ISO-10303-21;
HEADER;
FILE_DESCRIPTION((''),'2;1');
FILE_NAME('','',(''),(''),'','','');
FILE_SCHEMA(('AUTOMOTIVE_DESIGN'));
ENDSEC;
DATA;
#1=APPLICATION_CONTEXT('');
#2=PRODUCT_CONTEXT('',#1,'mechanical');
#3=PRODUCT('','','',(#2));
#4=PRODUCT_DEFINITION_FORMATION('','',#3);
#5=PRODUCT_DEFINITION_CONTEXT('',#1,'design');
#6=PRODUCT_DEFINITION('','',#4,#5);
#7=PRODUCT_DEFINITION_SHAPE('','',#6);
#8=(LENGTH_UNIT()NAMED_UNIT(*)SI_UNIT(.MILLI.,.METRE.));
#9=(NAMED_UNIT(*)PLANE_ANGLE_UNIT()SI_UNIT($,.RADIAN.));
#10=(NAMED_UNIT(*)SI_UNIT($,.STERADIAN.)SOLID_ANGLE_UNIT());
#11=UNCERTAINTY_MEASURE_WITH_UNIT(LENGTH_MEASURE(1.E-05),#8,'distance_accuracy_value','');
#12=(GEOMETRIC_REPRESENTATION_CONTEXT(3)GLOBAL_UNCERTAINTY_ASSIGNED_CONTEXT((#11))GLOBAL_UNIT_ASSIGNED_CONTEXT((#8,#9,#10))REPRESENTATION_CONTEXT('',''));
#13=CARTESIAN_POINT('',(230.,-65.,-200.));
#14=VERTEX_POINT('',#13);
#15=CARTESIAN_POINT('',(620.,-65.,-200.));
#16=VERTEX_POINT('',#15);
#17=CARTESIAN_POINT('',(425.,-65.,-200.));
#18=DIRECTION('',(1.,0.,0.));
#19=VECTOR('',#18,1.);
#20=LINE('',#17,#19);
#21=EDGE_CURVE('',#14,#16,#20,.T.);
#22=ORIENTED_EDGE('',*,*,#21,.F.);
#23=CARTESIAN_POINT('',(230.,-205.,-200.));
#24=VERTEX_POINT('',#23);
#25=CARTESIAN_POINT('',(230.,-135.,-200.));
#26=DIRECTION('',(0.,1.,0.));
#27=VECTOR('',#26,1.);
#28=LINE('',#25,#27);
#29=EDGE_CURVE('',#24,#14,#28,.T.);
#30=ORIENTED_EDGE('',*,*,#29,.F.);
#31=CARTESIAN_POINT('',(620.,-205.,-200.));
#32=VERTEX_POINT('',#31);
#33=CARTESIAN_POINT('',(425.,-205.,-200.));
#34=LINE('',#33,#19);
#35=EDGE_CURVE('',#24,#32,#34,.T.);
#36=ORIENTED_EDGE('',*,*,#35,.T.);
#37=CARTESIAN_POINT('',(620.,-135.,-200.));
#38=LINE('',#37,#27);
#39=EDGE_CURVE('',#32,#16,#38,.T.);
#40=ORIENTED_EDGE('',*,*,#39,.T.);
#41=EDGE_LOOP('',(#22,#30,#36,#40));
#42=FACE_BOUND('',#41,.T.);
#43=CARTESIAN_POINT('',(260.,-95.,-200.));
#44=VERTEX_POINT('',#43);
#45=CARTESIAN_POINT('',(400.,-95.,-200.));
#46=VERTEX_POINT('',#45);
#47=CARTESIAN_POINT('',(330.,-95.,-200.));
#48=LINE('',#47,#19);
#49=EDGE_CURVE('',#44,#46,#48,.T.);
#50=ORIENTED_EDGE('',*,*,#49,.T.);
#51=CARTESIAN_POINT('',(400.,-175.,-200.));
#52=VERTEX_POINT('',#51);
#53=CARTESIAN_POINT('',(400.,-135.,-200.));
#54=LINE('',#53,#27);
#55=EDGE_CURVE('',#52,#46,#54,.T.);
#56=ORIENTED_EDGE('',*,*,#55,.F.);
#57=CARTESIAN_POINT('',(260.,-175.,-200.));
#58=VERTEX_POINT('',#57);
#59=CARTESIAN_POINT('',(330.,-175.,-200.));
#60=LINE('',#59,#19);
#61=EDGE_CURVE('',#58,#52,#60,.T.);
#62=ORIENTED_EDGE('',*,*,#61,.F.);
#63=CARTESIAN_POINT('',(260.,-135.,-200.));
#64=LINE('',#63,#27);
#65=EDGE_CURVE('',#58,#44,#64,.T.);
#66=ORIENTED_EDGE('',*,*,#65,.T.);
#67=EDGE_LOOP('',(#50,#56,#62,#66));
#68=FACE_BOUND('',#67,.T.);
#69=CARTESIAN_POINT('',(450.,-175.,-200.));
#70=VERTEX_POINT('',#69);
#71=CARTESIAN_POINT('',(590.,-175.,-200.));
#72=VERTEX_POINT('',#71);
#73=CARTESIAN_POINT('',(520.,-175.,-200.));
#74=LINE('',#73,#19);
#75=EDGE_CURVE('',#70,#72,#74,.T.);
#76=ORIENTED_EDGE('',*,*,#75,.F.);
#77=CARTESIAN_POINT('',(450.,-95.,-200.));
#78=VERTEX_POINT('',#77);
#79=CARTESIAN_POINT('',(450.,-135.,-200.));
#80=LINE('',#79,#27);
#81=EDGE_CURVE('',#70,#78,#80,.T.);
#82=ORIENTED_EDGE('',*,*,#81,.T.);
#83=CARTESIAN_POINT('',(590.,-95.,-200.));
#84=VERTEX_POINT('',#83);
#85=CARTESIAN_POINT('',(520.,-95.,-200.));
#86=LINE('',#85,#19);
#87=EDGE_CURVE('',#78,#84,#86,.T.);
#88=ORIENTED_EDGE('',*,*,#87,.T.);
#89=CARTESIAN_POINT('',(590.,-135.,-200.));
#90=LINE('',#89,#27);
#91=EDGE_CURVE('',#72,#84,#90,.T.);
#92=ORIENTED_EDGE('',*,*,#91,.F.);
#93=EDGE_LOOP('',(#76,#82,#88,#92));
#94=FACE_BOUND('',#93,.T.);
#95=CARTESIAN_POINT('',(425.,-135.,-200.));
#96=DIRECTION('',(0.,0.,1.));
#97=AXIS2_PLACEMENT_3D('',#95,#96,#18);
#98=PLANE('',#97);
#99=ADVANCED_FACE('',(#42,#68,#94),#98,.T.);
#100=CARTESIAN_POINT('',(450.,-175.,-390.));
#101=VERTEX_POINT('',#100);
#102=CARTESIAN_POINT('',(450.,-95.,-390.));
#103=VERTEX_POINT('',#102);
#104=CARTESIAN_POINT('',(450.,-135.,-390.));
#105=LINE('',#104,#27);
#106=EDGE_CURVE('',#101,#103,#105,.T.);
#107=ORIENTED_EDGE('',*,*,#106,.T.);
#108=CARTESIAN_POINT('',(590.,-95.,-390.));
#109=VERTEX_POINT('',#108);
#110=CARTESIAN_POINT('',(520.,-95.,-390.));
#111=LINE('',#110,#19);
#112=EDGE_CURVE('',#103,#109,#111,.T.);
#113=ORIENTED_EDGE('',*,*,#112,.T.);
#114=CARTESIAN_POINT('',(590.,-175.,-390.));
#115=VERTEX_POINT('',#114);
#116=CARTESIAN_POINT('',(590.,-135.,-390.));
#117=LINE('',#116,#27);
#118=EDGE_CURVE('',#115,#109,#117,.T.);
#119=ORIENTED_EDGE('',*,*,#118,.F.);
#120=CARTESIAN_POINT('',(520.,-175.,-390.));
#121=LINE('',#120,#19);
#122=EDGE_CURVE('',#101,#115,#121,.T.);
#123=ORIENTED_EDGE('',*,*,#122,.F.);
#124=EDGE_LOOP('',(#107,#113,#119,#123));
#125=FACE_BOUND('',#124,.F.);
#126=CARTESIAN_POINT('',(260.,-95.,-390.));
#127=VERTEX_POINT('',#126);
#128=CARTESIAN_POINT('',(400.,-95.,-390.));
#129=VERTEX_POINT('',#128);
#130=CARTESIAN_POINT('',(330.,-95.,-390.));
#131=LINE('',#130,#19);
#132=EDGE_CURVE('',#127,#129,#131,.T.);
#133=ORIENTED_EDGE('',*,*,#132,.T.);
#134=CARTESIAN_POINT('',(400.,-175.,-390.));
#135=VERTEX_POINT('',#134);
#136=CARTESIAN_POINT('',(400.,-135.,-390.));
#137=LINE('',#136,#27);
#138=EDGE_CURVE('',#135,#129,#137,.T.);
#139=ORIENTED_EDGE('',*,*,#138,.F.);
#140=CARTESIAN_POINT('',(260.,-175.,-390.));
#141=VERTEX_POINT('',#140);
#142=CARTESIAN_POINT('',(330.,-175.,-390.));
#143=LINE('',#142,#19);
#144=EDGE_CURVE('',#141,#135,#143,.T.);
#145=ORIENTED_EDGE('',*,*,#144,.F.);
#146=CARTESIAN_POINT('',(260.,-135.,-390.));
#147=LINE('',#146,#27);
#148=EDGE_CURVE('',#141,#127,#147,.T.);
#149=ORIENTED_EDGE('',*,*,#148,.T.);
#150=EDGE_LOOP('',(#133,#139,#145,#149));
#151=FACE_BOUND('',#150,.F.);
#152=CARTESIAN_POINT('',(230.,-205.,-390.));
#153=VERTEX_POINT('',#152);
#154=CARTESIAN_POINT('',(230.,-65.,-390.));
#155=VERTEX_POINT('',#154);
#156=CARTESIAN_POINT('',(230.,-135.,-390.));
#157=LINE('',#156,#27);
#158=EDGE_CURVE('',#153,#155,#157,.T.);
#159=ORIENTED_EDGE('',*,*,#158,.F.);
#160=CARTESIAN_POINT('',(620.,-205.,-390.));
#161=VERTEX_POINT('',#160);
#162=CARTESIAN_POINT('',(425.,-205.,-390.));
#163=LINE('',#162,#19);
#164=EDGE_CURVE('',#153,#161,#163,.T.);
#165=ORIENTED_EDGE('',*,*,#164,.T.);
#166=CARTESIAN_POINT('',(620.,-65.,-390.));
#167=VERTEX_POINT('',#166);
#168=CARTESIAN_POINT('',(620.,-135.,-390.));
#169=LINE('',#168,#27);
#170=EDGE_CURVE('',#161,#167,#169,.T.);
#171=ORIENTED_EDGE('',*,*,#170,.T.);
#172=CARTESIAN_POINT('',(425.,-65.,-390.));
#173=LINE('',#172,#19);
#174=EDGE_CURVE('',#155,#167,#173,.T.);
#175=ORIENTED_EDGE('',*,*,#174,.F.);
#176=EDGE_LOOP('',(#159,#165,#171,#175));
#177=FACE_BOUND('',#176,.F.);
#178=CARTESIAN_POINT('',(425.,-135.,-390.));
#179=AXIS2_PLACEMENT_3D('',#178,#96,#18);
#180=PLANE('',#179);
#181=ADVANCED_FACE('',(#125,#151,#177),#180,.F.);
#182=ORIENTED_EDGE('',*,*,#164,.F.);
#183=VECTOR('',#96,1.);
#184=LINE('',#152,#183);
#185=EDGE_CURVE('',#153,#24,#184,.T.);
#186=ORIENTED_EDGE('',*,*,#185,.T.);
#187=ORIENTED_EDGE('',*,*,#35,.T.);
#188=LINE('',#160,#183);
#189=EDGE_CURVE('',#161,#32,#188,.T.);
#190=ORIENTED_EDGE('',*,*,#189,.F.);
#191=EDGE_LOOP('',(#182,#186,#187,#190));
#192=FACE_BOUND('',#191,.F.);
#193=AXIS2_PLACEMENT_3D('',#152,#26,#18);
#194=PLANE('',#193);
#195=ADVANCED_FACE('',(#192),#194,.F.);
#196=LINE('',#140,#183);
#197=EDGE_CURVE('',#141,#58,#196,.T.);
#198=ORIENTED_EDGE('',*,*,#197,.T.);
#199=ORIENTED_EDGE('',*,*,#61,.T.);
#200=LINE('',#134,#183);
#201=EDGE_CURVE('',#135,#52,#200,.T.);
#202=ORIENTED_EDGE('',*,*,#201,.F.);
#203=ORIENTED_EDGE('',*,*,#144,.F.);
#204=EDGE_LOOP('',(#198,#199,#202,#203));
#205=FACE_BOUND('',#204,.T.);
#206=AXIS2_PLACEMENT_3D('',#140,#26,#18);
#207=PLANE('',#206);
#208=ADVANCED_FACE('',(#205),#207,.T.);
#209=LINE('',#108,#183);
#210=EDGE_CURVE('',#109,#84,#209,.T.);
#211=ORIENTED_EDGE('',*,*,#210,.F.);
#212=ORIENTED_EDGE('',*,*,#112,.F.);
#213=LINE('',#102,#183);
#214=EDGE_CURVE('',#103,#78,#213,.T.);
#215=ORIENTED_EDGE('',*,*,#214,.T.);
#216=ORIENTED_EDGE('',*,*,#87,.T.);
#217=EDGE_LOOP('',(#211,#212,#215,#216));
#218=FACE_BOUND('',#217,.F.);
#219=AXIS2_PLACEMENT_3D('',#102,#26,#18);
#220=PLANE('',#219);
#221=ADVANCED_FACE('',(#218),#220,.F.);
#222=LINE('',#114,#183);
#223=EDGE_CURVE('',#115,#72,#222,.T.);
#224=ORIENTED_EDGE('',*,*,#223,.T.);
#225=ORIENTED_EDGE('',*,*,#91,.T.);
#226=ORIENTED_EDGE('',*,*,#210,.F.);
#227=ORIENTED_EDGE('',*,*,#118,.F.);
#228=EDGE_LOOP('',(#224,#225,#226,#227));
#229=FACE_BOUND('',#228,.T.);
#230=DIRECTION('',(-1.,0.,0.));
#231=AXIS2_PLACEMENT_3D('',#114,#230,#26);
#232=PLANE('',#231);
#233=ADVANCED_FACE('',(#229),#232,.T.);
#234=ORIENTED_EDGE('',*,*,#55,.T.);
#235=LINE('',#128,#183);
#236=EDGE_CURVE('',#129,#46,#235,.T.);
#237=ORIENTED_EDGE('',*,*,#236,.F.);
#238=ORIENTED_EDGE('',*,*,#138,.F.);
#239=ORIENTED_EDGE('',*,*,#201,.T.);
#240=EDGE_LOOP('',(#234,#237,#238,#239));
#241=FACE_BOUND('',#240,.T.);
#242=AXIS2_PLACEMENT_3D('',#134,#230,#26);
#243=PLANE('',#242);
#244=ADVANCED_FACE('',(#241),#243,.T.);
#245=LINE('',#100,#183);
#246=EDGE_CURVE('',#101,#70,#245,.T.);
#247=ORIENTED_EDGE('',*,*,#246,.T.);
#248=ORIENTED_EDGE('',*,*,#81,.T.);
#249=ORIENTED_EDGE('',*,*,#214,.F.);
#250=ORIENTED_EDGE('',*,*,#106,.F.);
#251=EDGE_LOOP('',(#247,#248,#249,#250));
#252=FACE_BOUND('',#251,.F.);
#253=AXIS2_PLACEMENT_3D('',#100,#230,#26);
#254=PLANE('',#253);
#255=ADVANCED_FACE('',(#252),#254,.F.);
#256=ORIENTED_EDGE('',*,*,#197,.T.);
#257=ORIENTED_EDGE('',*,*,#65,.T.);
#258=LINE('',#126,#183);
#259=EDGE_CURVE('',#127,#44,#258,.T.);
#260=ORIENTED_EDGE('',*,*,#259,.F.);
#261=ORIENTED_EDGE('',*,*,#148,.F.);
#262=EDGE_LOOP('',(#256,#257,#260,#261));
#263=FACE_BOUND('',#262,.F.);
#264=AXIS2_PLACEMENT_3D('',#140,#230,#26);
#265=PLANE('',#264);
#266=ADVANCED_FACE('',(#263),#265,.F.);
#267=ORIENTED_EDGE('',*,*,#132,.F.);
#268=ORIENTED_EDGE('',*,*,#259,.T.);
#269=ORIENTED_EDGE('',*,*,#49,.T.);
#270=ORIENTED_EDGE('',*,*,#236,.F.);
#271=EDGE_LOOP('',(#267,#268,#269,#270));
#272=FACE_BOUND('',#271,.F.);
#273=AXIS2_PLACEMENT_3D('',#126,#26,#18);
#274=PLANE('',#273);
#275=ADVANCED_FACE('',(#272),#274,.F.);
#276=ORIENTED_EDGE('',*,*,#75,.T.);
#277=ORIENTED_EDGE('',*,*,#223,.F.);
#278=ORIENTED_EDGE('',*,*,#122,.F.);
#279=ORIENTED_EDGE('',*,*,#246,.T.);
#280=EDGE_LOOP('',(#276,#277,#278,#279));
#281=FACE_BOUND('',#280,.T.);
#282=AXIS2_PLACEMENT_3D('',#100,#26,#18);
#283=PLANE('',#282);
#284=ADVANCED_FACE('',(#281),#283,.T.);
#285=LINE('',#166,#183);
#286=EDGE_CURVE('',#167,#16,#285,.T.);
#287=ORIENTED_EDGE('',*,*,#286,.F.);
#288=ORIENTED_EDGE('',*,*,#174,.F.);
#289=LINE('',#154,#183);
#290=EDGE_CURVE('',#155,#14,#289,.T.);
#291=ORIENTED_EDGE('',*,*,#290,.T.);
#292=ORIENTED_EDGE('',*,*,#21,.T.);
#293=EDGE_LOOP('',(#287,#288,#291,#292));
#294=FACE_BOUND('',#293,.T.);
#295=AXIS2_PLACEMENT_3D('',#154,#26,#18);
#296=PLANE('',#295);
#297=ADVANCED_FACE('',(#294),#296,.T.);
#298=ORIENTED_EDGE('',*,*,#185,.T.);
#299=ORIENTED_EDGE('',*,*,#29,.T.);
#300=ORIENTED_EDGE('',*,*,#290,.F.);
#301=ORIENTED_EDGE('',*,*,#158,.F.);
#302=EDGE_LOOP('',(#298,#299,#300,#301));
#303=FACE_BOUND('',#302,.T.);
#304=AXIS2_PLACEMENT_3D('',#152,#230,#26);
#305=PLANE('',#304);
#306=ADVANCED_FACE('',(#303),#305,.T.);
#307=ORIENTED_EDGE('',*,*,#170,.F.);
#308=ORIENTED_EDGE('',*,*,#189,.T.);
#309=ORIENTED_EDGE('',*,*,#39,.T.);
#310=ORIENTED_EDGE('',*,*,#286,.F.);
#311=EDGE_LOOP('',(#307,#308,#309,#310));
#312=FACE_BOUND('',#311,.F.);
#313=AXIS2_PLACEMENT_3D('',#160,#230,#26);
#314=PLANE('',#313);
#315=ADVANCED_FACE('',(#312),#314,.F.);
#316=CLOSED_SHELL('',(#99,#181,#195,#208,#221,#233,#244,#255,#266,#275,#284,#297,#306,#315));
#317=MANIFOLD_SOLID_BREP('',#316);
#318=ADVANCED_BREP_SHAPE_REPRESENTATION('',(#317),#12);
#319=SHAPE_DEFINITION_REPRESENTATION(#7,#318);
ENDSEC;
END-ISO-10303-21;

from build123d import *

# Parameters (mm, degrees)
BOX017_W     = 140
BOX017_H     = 80
BOX017_DEPTH = 190
BOX018_W     = 140
BOX018_H     = 80
BOX018_DEPTH = 190
BOX019_W     = 390
BOX019_H     = 140
BOX019_DEPTH = 190


with BuildPart() as cube007:
    # Box017 → Box017 (new body)
    with BuildSketch(Plane(origin=(220, 30, 0), x_dir=(1, 0, 0), z_dir=(0, 0, 1))):
        with Locations((70, 40)):
            Rectangle(BOX017_W, BOX017_H)
    extrude(amount=BOX017_DEPTH)


with BuildPart() as fusion005:
    # Box018 → Box018 (new body)
    with BuildSketch(Plane(origin=(30, 30, 0), x_dir=(1, 0, 0), z_dir=(0, 0, 1))):
        with Locations((70, 40)):
            Rectangle(BOX018_W, BOX018_H)
    extrude(amount=BOX018_DEPTH)

    # Fusion005: union Cube007
    add(cube007.part)


with BuildPart() as cut002:
    # Box019 → Box019 (new body)
    with BuildSketch(Plane.XY):
        with Locations((195, 70)):
            Rectangle(BOX019_W, BOX019_H)
    extrude(amount=BOX019_DEPTH)

    # Cut002: cut Fusion005
    add(fusion005.part, mode=Mode.SUBTRACT)


with BuildPart() as cut002_1:
    # Cut002 placement: moved
    add(cut002.part.moved(Location((230, -205, -390))))


solid = cut002_1.part
